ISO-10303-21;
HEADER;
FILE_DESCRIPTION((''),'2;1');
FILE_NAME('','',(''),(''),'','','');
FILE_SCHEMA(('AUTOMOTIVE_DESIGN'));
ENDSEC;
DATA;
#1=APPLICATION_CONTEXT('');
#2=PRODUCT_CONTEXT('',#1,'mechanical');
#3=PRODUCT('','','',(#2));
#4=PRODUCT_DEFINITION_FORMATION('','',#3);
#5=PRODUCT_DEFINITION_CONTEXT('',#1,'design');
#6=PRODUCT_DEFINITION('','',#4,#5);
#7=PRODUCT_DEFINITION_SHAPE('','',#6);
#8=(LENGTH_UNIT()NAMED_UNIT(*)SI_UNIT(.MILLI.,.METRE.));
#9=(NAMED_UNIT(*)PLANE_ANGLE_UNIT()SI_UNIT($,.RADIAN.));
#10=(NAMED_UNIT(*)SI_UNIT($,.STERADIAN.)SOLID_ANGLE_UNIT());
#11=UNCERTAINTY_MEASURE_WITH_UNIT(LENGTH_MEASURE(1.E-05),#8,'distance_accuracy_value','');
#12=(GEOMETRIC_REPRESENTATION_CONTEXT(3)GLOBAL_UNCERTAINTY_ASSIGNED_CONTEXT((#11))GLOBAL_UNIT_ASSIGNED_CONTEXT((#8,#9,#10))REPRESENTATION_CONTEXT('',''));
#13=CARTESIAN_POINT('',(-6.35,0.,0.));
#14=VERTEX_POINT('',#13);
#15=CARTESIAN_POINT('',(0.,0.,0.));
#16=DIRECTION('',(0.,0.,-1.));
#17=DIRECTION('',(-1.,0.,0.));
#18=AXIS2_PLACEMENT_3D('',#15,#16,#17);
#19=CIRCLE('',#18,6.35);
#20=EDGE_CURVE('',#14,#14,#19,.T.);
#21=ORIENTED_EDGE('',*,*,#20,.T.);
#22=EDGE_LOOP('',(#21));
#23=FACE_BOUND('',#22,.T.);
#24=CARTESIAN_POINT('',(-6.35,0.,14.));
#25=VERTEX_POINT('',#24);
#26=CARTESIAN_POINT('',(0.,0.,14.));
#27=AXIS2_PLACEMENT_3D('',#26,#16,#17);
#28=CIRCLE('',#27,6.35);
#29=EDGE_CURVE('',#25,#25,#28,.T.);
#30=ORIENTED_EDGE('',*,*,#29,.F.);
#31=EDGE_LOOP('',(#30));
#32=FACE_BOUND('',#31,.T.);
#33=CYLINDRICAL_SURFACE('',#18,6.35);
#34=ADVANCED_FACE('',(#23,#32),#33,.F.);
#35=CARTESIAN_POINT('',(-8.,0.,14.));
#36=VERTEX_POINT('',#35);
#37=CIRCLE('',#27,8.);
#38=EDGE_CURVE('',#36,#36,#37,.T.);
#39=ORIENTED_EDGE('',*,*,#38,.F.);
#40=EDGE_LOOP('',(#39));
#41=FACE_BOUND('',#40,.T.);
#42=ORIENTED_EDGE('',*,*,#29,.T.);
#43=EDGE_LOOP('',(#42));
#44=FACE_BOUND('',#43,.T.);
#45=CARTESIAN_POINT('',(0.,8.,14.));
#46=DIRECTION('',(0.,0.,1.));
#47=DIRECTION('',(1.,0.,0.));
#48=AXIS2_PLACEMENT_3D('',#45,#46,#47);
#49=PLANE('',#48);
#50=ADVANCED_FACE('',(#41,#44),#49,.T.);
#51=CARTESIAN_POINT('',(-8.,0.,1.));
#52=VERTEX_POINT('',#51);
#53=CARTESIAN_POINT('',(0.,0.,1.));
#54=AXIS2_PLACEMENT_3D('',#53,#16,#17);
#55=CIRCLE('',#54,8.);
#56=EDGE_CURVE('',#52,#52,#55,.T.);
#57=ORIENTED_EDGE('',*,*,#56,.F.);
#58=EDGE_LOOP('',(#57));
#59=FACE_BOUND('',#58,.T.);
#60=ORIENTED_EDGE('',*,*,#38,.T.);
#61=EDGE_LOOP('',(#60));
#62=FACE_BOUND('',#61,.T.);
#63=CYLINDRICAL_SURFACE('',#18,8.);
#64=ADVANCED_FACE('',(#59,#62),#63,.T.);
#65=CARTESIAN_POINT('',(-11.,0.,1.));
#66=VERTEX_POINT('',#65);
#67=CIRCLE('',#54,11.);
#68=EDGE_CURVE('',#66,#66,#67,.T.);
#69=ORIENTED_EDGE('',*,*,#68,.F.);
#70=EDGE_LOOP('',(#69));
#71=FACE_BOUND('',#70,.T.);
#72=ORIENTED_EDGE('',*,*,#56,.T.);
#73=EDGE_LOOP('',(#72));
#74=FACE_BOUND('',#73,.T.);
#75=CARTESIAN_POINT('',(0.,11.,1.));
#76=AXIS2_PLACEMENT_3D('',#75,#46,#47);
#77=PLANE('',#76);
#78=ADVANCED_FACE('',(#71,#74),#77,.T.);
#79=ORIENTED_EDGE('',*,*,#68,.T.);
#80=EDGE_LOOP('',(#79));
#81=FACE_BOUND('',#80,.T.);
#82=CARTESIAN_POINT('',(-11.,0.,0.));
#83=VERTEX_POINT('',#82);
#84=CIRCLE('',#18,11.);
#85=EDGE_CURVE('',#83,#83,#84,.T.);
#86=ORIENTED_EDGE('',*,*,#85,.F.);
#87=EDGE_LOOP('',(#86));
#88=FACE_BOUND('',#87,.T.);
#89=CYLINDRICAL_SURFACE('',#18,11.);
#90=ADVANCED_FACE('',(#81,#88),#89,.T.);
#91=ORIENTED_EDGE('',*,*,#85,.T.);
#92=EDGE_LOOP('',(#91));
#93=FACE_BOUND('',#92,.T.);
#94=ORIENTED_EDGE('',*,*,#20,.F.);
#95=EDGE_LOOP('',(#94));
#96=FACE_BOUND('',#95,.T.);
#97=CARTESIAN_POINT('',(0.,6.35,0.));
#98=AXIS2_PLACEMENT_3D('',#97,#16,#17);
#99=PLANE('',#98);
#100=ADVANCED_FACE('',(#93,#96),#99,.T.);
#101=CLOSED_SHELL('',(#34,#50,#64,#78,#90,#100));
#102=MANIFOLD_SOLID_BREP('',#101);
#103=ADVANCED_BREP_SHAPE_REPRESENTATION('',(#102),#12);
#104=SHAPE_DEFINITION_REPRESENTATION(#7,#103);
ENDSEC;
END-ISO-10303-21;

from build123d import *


with BuildPart() as part:
    # Sketch1 → Revolve1 (revolve)
    with BuildSketch(Plane(origin=(0, 0, 0), x_dir=(0, 0, -1), z_dir=(1, 0, 0))):
        Polygon((0, 6.35), (0, 11), (-1, 11), (-1, 8), (-14, 8), (-14, 6.35), align=None)
    revolve(axis=Axis((0, 0, 0), (0, 0, 1)))


solid = part.part
